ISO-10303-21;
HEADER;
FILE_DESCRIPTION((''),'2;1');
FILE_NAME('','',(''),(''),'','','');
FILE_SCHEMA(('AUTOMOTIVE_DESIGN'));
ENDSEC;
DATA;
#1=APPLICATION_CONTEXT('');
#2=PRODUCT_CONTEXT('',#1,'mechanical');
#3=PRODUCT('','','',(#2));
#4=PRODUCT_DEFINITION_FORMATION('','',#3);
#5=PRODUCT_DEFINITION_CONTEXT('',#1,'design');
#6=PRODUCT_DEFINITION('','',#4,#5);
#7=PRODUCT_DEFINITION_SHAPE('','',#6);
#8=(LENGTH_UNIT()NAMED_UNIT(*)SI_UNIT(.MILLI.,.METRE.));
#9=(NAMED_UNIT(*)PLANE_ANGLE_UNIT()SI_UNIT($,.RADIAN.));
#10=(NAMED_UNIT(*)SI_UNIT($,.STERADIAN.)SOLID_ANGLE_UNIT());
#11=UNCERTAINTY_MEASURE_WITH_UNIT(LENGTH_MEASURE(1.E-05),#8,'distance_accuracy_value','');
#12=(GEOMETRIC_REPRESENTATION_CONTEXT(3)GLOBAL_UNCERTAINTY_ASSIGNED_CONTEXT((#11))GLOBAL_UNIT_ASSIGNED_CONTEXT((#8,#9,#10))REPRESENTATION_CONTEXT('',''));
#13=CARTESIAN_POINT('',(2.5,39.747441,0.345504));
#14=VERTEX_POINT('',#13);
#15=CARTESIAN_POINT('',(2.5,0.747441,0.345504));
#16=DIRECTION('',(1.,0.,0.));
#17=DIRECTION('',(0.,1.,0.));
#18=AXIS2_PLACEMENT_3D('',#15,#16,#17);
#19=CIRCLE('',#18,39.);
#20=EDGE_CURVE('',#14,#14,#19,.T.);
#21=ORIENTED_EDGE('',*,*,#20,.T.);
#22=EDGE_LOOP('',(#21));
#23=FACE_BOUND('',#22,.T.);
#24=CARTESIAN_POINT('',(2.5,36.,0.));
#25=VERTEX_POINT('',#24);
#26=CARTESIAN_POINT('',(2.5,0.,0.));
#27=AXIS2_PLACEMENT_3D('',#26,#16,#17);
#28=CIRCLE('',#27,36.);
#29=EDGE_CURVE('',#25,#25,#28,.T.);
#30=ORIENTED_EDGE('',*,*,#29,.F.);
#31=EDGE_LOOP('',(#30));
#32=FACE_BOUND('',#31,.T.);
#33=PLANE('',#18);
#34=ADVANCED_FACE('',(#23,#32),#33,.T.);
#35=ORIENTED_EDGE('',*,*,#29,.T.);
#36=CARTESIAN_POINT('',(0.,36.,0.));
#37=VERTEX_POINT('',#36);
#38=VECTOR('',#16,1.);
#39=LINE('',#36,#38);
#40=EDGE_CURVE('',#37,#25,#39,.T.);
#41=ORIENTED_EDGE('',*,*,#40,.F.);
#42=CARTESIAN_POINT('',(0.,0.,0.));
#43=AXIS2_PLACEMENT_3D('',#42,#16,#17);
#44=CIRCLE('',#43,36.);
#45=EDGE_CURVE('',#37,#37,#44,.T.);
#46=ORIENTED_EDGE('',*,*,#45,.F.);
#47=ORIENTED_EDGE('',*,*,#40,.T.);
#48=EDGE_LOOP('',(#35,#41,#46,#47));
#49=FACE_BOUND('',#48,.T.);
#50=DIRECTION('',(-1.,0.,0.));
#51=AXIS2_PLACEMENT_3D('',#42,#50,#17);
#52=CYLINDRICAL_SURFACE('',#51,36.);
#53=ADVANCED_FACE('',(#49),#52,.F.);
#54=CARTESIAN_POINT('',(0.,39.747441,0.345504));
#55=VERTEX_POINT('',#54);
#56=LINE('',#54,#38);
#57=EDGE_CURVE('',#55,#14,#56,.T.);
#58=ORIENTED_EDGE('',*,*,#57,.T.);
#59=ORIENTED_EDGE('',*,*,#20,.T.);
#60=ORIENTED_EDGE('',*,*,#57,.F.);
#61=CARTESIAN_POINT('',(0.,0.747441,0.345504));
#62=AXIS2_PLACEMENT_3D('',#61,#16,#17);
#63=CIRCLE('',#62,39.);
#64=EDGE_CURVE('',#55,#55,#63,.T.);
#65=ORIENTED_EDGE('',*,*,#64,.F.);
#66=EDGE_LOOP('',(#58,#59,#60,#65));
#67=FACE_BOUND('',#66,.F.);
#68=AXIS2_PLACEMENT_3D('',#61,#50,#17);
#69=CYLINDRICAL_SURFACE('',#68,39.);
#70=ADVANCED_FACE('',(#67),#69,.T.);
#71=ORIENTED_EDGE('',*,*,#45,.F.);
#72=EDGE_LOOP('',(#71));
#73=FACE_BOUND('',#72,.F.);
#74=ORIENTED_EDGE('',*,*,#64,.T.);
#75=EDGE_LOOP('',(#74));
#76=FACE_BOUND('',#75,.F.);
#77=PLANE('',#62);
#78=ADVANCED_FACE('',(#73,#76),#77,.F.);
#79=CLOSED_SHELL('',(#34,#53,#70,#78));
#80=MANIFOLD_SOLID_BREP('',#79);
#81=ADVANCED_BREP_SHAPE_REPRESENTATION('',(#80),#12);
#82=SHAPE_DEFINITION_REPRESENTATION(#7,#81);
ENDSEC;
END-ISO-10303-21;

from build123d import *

# Parameters (mm, degrees)
F0_R     = 39
F0_R_2   = 36
F1_DEPTH = 2.5


with BuildPart() as f1:
    # F0 (on Right) → F1 (new body)
    with BuildSketch(Plane.YZ):
        with Locations((0.747441, 0.345504)):
            Circle(F0_R)
        Circle(F0_R_2, mode=Mode.SUBTRACT)
    extrude(amount=F1_DEPTH)


solid = f1.part
